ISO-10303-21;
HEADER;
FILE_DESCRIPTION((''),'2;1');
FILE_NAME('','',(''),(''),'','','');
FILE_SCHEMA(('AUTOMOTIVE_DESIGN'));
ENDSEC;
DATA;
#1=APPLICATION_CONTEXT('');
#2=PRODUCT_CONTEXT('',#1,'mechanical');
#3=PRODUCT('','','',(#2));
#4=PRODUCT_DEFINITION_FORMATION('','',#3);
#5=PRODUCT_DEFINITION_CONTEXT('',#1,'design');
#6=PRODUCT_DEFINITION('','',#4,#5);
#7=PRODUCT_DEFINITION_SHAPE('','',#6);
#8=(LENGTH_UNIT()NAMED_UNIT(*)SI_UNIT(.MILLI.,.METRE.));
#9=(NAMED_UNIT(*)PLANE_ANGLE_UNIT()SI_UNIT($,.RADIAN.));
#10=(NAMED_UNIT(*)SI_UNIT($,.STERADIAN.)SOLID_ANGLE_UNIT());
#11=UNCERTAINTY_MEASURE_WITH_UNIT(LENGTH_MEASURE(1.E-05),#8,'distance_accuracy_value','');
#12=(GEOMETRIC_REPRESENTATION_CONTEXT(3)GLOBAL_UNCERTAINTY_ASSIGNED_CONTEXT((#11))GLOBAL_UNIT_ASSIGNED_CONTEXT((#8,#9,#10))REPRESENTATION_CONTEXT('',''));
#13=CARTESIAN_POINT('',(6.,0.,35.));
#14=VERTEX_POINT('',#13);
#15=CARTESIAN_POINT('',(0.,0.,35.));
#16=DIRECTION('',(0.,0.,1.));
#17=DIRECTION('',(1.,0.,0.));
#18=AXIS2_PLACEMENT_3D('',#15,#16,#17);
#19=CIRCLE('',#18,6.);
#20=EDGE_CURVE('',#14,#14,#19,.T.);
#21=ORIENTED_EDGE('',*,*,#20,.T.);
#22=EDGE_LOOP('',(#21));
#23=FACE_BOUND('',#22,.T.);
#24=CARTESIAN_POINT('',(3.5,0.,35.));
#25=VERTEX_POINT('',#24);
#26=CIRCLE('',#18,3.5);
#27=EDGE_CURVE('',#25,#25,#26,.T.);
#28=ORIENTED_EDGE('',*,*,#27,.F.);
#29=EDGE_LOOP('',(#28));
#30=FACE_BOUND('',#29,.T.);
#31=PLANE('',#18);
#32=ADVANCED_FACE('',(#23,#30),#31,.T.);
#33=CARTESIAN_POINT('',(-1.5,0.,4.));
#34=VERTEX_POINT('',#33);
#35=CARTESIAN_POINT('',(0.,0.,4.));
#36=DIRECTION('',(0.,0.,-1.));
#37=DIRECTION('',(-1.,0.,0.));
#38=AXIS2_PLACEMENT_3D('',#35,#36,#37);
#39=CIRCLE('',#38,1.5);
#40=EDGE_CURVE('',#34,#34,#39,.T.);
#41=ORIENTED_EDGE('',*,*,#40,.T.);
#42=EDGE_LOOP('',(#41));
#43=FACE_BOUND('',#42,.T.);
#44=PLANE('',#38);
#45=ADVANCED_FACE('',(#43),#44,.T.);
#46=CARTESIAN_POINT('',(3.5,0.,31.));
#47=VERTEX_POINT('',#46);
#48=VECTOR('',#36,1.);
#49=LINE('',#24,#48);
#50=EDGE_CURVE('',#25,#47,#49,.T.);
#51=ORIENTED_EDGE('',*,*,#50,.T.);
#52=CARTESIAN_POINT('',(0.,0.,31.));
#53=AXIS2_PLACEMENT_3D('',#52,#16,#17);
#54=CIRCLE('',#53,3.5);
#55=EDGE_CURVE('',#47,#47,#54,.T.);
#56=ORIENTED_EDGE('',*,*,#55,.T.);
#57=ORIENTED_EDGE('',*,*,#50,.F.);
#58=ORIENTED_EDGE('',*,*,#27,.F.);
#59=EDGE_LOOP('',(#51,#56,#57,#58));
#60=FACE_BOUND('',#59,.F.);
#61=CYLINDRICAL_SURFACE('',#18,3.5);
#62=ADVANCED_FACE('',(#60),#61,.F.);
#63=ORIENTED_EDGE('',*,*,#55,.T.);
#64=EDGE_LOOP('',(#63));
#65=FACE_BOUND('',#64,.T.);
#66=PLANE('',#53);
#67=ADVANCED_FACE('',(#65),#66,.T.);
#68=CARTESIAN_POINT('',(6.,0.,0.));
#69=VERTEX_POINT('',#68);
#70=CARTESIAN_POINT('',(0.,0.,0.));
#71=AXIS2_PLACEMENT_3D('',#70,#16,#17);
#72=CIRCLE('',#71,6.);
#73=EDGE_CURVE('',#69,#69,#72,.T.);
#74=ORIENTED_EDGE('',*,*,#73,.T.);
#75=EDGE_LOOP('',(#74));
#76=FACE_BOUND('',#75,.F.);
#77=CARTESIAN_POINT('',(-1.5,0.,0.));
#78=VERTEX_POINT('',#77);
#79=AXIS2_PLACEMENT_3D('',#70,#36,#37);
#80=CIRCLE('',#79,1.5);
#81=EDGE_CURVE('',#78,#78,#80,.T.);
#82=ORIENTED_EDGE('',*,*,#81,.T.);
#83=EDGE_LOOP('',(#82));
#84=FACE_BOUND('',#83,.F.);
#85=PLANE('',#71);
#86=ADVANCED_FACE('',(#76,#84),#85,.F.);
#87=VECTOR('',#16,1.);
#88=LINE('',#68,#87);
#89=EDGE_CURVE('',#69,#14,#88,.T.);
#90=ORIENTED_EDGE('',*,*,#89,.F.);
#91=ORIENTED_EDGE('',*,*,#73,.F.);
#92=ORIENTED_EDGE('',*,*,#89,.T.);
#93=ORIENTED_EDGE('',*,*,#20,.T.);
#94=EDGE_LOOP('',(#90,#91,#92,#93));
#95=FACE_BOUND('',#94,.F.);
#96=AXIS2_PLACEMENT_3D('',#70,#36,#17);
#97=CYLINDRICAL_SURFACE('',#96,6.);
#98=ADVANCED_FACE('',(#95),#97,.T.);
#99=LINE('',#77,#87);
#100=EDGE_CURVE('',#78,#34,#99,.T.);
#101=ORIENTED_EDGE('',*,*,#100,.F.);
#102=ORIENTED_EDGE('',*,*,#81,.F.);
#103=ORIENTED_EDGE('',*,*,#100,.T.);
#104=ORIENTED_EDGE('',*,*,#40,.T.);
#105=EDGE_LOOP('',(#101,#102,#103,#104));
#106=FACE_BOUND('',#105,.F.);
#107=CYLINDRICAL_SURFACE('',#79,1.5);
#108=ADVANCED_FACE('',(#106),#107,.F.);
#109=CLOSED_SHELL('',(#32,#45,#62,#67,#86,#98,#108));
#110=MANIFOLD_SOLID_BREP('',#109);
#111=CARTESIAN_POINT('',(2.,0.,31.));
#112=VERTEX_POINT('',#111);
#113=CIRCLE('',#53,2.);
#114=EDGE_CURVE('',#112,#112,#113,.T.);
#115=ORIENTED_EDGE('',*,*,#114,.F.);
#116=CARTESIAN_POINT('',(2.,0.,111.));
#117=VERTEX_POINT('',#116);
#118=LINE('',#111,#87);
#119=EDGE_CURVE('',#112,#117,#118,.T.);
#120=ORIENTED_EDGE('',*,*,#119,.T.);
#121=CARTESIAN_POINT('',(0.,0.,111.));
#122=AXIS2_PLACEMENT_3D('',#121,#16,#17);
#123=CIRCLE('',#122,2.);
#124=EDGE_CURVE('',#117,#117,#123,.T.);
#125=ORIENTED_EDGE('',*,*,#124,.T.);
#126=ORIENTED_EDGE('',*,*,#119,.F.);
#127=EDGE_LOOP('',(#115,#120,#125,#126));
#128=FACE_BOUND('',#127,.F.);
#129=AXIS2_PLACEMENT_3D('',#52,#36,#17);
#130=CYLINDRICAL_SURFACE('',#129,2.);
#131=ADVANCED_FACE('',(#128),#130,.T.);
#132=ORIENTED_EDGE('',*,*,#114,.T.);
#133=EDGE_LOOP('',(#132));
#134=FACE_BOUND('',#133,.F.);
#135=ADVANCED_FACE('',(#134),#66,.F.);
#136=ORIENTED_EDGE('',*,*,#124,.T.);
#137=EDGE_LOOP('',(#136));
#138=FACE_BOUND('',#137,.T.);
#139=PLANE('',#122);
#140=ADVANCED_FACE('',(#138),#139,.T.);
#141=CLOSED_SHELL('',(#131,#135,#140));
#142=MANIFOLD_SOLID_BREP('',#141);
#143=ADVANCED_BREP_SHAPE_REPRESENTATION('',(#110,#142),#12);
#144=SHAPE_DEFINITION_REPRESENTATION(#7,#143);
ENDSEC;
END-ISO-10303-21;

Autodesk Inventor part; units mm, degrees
ref_plane "YZ Plane" through (0, 0, 0) normal (1, 0, 0) x (0, 1, 0)
ref_plane "XZ Plane" through (0, 0, 0) normal (0, 1, 0) x (-1, 0, 0)
ref_plane "XY Plane" through (0, 0, 0) normal (0, 0, 1) x (1, 0, 0)
sketch "Эскиз1" plane through (0, 0, 0) normal (0, 0, 1) x (1, 0, 0)
  circle A0 centre (0, 0) radius 6
  dimension "d0" = 12
extrude "Выдавливание1" add sketch "Эскиз1" along normal blind 35
sketch "Эскиз2" plane through (0, 0, 35) normal (0, 0, 1) x (1, 0, 0)
  circle A0 centre (0, 0) radius 3.5
  dimension "d3" = 7
extrude "Выдавливание2" cut sketch "Эскиз2" against normal blind 4
sketch "Эскиз3" plane through (0, 0, 0) normal (0, 0, -1) x (-1, 0, 0)
  circle A0 centre (0, 0) radius 1.5
  dimension "d6" = 3
extrude "Выдавливание3" cut sketch "Эскиз3" against normal blind 4
sketch "Эскиз8" plane through (0, 0, 31) normal (0, 0, 1) x (1, 0, 0)
  circle A0 centre (0, 0) radius 2
  dimension "d21" = 4
extrude "Выдавливание8" add sketch "Эскиз8" along normal blind 80 separate body
properties part number "Лазер"
